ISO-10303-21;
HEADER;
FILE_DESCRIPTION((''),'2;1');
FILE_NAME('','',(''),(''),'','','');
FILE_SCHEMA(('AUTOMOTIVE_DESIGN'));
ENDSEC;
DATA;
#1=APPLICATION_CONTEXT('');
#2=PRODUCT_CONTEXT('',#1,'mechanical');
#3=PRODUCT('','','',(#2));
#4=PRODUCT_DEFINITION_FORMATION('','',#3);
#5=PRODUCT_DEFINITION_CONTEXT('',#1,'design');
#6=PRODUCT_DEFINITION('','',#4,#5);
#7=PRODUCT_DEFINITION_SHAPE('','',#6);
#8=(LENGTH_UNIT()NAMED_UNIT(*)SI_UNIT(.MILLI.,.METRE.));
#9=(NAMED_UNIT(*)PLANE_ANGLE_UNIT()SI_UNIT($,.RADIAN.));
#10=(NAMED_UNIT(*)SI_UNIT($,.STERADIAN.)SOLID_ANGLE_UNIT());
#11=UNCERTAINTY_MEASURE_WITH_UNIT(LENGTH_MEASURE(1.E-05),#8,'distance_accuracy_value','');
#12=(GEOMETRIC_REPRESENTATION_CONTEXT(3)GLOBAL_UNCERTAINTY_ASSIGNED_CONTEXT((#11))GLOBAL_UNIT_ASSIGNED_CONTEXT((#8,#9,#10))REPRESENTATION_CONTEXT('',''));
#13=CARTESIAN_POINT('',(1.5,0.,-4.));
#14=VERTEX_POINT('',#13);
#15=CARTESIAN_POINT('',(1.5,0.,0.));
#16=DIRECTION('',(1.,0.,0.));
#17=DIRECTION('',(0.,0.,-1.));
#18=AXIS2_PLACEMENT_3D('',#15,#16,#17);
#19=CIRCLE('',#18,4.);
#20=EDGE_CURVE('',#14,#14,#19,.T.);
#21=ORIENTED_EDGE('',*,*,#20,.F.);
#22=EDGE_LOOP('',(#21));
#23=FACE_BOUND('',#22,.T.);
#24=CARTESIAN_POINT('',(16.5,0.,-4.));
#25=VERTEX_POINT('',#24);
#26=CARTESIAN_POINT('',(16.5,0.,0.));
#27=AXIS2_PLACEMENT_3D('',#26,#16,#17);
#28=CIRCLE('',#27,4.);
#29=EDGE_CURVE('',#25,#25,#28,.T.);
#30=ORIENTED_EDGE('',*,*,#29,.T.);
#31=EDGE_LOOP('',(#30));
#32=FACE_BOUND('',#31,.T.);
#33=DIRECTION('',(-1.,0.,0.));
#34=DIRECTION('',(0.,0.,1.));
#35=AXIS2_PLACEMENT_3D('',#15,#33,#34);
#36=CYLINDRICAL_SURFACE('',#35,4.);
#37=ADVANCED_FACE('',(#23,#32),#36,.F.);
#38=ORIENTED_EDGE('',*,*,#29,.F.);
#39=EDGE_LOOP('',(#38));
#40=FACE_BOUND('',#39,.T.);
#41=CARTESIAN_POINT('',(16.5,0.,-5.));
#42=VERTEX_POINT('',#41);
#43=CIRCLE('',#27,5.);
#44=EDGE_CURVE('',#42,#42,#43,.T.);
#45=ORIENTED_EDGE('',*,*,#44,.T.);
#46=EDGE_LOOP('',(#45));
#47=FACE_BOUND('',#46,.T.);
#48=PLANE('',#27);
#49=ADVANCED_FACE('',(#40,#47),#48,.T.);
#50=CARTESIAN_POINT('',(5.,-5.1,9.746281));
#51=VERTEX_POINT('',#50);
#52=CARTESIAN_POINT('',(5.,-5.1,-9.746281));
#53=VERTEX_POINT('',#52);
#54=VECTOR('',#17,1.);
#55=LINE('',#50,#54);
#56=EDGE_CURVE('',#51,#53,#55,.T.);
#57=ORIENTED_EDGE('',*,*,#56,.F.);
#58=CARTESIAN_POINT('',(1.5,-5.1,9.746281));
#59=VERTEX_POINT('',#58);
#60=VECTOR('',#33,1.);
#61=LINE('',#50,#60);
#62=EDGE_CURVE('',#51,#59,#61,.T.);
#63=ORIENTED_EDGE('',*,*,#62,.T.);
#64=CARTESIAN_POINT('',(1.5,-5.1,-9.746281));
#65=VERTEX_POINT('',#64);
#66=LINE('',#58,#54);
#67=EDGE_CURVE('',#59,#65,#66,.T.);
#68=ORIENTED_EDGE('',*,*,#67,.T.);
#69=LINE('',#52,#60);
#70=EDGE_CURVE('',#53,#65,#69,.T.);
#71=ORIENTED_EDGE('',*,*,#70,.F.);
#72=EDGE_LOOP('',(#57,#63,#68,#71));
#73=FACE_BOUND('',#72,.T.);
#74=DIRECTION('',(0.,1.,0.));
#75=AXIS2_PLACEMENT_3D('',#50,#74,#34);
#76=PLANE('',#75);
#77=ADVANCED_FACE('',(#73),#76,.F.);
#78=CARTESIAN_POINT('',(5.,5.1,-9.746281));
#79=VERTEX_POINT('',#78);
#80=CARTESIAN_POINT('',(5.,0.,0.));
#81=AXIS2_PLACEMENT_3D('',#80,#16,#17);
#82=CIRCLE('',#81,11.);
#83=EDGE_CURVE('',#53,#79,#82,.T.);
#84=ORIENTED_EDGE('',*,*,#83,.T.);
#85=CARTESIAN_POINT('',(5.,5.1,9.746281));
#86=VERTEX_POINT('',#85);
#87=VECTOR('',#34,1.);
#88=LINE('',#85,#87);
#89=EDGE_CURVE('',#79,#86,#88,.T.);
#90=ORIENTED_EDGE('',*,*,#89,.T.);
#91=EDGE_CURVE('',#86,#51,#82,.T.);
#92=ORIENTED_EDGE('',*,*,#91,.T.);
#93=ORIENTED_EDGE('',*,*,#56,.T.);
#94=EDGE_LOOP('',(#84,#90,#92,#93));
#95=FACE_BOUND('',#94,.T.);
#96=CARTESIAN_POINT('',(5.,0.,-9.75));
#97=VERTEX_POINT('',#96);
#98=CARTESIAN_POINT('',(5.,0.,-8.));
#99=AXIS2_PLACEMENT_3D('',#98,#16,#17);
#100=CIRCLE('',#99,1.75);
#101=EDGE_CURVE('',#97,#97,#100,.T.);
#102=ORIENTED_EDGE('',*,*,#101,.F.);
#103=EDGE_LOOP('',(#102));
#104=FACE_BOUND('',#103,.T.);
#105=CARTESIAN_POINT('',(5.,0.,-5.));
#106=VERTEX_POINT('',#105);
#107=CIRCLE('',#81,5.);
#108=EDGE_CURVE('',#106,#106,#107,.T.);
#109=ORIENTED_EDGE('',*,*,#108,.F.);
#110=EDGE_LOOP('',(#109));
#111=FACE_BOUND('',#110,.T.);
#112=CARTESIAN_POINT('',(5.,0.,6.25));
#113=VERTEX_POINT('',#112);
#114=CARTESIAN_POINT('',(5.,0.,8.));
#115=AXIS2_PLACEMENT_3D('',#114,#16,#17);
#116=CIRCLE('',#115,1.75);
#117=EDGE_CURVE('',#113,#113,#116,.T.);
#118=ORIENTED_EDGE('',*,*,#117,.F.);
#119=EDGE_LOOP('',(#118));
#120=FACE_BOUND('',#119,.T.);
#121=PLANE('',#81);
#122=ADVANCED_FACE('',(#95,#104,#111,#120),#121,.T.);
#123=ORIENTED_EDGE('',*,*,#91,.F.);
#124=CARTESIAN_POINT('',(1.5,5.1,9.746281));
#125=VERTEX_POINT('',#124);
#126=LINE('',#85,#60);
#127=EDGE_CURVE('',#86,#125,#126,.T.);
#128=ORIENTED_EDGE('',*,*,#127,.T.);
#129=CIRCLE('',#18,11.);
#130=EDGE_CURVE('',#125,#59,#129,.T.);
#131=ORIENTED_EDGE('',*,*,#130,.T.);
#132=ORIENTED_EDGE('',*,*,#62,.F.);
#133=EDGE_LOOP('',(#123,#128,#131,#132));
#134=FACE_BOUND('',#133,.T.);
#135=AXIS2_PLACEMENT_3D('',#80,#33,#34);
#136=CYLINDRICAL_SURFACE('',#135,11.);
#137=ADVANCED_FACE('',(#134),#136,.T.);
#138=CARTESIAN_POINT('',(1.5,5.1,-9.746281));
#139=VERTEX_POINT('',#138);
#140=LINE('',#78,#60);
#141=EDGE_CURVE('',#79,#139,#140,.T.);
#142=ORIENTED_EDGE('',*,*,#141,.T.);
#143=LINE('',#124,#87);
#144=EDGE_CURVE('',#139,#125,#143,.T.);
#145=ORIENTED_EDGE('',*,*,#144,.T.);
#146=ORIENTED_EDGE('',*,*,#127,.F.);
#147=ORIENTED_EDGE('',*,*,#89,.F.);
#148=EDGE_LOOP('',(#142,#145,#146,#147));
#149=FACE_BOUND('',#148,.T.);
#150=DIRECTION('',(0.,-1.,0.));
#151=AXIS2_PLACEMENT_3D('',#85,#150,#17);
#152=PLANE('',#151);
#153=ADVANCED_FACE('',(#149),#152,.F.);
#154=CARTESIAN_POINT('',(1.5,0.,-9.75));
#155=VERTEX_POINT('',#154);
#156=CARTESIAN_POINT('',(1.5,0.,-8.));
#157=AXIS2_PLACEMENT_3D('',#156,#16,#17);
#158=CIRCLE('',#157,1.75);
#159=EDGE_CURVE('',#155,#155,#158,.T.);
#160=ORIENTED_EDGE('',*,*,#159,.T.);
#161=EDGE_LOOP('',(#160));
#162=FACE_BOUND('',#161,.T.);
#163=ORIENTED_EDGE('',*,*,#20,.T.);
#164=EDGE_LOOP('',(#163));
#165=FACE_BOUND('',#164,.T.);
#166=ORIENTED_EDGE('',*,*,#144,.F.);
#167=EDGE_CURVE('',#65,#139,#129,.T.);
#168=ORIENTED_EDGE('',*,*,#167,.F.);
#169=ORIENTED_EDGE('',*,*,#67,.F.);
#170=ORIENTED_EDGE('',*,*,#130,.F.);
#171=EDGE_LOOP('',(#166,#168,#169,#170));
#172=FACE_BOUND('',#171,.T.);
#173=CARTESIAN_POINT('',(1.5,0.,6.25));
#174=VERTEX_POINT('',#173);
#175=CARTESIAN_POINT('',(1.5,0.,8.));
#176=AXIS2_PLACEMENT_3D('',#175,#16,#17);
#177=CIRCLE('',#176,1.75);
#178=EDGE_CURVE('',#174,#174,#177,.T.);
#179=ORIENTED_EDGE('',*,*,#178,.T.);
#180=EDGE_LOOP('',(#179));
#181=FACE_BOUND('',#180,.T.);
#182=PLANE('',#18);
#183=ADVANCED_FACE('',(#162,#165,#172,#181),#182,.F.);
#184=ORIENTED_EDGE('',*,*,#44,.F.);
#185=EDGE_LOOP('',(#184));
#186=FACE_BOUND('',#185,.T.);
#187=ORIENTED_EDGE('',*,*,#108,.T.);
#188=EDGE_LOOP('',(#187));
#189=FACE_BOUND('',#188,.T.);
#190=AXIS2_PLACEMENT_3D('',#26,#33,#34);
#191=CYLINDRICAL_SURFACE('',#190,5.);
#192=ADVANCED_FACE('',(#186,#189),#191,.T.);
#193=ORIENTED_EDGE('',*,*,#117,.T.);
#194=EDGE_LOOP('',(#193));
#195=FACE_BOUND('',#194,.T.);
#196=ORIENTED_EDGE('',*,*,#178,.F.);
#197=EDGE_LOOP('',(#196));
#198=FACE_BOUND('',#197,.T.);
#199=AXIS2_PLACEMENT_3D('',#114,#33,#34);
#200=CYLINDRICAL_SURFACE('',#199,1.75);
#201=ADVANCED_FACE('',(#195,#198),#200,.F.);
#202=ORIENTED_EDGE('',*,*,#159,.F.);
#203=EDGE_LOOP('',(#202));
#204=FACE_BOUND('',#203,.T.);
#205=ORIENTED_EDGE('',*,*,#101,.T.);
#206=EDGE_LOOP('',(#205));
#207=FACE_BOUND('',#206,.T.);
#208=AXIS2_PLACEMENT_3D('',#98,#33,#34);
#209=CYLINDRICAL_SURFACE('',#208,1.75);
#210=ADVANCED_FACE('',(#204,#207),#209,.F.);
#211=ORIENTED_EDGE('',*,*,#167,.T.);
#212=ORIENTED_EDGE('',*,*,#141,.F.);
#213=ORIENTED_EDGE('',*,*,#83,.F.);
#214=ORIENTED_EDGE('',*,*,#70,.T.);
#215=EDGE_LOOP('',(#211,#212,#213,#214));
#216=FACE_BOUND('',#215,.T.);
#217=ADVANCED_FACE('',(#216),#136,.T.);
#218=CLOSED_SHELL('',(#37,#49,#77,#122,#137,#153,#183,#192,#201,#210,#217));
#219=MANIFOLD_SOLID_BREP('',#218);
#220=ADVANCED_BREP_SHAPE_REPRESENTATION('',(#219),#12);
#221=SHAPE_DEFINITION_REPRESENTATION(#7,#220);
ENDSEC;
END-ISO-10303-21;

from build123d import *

# Parameters (mm, degrees)
SKETCH_1_R          = 5
SKETCH_1_R_2        = 4
EXTRUDE_1_DEPTH     = 1.5
SKETCH_2_R          = 4
SKETCH_2_R_2        = 1.75
EXTRUDE_2_DEPTH     = 3.5
SKETCH_3_R          = 5
SKETCH_3_R_2        = 4
EXTRUDE_3_DEPTH     = 11.5
SKETCH_4_R          = 5
CUT_EXTRUDE_1_DEPTH = 1.5


with BuildPart() as part:
    # 草图1 → 凸台-拉伸1 (new body)
    with BuildSketch(Plane(origin=(0, 0, 0), x_dir=(0, 0, -1), z_dir=(1, 0, 0))):
        Circle(SKETCH_1_R)
        Circle(SKETCH_1_R_2, mode=Mode.SUBTRACT)
    extrude(amount=EXTRUDE_1_DEPTH)

    # 草图2 → 凸台-拉伸2 (add)
    with BuildSketch(Plane(origin=(1.5, 0, 0), x_dir=(0, 0, -1), z_dir=(1, 0, 0))):
        with BuildLine():
            Line((-9.746281342, 5.1), (9.746281342, 5.1))
            ThreePointArc((9.746281342, 5.1), (11, 0), (9.746281342, -5.1))
            Line((9.746281342, -5.1), (-9.746281342, -5.1))
            ThreePointArc((-9.746281342, -5.1), (-11, 0), (-9.746281342, 5.1))
        make_face()
        Circle(SKETCH_2_R, mode=Mode.SUBTRACT)
        with Locations((-8, 0)):
            Circle(SKETCH_2_R_2, mode=Mode.SUBTRACT)
        with Locations((8, 0)):
            Circle(SKETCH_2_R_2, mode=Mode.SUBTRACT)
    extrude(amount=EXTRUDE_2_DEPTH)

    # 草图3 → 凸台-拉伸3 (add)
    with BuildSketch(Plane(origin=(5, 0, 0), x_dir=(0, 0, -1), z_dir=(1, 0, 0))):
        Circle(SKETCH_3_R)
        Circle(SKETCH_3_R_2, mode=Mode.SUBTRACT)
    extrude(amount=EXTRUDE_3_DEPTH)

    # 草图4 → 切除-拉伸1 (cut)
    with BuildSketch(Plane.ZY):
        with Locations(Location((0, 0, 0), (0, 0, 180))):
            Circle(SKETCH_4_R)
    extrude(amount=-CUT_EXTRUDE_1_DEPTH, mode=Mode.SUBTRACT)


solid = part.part
